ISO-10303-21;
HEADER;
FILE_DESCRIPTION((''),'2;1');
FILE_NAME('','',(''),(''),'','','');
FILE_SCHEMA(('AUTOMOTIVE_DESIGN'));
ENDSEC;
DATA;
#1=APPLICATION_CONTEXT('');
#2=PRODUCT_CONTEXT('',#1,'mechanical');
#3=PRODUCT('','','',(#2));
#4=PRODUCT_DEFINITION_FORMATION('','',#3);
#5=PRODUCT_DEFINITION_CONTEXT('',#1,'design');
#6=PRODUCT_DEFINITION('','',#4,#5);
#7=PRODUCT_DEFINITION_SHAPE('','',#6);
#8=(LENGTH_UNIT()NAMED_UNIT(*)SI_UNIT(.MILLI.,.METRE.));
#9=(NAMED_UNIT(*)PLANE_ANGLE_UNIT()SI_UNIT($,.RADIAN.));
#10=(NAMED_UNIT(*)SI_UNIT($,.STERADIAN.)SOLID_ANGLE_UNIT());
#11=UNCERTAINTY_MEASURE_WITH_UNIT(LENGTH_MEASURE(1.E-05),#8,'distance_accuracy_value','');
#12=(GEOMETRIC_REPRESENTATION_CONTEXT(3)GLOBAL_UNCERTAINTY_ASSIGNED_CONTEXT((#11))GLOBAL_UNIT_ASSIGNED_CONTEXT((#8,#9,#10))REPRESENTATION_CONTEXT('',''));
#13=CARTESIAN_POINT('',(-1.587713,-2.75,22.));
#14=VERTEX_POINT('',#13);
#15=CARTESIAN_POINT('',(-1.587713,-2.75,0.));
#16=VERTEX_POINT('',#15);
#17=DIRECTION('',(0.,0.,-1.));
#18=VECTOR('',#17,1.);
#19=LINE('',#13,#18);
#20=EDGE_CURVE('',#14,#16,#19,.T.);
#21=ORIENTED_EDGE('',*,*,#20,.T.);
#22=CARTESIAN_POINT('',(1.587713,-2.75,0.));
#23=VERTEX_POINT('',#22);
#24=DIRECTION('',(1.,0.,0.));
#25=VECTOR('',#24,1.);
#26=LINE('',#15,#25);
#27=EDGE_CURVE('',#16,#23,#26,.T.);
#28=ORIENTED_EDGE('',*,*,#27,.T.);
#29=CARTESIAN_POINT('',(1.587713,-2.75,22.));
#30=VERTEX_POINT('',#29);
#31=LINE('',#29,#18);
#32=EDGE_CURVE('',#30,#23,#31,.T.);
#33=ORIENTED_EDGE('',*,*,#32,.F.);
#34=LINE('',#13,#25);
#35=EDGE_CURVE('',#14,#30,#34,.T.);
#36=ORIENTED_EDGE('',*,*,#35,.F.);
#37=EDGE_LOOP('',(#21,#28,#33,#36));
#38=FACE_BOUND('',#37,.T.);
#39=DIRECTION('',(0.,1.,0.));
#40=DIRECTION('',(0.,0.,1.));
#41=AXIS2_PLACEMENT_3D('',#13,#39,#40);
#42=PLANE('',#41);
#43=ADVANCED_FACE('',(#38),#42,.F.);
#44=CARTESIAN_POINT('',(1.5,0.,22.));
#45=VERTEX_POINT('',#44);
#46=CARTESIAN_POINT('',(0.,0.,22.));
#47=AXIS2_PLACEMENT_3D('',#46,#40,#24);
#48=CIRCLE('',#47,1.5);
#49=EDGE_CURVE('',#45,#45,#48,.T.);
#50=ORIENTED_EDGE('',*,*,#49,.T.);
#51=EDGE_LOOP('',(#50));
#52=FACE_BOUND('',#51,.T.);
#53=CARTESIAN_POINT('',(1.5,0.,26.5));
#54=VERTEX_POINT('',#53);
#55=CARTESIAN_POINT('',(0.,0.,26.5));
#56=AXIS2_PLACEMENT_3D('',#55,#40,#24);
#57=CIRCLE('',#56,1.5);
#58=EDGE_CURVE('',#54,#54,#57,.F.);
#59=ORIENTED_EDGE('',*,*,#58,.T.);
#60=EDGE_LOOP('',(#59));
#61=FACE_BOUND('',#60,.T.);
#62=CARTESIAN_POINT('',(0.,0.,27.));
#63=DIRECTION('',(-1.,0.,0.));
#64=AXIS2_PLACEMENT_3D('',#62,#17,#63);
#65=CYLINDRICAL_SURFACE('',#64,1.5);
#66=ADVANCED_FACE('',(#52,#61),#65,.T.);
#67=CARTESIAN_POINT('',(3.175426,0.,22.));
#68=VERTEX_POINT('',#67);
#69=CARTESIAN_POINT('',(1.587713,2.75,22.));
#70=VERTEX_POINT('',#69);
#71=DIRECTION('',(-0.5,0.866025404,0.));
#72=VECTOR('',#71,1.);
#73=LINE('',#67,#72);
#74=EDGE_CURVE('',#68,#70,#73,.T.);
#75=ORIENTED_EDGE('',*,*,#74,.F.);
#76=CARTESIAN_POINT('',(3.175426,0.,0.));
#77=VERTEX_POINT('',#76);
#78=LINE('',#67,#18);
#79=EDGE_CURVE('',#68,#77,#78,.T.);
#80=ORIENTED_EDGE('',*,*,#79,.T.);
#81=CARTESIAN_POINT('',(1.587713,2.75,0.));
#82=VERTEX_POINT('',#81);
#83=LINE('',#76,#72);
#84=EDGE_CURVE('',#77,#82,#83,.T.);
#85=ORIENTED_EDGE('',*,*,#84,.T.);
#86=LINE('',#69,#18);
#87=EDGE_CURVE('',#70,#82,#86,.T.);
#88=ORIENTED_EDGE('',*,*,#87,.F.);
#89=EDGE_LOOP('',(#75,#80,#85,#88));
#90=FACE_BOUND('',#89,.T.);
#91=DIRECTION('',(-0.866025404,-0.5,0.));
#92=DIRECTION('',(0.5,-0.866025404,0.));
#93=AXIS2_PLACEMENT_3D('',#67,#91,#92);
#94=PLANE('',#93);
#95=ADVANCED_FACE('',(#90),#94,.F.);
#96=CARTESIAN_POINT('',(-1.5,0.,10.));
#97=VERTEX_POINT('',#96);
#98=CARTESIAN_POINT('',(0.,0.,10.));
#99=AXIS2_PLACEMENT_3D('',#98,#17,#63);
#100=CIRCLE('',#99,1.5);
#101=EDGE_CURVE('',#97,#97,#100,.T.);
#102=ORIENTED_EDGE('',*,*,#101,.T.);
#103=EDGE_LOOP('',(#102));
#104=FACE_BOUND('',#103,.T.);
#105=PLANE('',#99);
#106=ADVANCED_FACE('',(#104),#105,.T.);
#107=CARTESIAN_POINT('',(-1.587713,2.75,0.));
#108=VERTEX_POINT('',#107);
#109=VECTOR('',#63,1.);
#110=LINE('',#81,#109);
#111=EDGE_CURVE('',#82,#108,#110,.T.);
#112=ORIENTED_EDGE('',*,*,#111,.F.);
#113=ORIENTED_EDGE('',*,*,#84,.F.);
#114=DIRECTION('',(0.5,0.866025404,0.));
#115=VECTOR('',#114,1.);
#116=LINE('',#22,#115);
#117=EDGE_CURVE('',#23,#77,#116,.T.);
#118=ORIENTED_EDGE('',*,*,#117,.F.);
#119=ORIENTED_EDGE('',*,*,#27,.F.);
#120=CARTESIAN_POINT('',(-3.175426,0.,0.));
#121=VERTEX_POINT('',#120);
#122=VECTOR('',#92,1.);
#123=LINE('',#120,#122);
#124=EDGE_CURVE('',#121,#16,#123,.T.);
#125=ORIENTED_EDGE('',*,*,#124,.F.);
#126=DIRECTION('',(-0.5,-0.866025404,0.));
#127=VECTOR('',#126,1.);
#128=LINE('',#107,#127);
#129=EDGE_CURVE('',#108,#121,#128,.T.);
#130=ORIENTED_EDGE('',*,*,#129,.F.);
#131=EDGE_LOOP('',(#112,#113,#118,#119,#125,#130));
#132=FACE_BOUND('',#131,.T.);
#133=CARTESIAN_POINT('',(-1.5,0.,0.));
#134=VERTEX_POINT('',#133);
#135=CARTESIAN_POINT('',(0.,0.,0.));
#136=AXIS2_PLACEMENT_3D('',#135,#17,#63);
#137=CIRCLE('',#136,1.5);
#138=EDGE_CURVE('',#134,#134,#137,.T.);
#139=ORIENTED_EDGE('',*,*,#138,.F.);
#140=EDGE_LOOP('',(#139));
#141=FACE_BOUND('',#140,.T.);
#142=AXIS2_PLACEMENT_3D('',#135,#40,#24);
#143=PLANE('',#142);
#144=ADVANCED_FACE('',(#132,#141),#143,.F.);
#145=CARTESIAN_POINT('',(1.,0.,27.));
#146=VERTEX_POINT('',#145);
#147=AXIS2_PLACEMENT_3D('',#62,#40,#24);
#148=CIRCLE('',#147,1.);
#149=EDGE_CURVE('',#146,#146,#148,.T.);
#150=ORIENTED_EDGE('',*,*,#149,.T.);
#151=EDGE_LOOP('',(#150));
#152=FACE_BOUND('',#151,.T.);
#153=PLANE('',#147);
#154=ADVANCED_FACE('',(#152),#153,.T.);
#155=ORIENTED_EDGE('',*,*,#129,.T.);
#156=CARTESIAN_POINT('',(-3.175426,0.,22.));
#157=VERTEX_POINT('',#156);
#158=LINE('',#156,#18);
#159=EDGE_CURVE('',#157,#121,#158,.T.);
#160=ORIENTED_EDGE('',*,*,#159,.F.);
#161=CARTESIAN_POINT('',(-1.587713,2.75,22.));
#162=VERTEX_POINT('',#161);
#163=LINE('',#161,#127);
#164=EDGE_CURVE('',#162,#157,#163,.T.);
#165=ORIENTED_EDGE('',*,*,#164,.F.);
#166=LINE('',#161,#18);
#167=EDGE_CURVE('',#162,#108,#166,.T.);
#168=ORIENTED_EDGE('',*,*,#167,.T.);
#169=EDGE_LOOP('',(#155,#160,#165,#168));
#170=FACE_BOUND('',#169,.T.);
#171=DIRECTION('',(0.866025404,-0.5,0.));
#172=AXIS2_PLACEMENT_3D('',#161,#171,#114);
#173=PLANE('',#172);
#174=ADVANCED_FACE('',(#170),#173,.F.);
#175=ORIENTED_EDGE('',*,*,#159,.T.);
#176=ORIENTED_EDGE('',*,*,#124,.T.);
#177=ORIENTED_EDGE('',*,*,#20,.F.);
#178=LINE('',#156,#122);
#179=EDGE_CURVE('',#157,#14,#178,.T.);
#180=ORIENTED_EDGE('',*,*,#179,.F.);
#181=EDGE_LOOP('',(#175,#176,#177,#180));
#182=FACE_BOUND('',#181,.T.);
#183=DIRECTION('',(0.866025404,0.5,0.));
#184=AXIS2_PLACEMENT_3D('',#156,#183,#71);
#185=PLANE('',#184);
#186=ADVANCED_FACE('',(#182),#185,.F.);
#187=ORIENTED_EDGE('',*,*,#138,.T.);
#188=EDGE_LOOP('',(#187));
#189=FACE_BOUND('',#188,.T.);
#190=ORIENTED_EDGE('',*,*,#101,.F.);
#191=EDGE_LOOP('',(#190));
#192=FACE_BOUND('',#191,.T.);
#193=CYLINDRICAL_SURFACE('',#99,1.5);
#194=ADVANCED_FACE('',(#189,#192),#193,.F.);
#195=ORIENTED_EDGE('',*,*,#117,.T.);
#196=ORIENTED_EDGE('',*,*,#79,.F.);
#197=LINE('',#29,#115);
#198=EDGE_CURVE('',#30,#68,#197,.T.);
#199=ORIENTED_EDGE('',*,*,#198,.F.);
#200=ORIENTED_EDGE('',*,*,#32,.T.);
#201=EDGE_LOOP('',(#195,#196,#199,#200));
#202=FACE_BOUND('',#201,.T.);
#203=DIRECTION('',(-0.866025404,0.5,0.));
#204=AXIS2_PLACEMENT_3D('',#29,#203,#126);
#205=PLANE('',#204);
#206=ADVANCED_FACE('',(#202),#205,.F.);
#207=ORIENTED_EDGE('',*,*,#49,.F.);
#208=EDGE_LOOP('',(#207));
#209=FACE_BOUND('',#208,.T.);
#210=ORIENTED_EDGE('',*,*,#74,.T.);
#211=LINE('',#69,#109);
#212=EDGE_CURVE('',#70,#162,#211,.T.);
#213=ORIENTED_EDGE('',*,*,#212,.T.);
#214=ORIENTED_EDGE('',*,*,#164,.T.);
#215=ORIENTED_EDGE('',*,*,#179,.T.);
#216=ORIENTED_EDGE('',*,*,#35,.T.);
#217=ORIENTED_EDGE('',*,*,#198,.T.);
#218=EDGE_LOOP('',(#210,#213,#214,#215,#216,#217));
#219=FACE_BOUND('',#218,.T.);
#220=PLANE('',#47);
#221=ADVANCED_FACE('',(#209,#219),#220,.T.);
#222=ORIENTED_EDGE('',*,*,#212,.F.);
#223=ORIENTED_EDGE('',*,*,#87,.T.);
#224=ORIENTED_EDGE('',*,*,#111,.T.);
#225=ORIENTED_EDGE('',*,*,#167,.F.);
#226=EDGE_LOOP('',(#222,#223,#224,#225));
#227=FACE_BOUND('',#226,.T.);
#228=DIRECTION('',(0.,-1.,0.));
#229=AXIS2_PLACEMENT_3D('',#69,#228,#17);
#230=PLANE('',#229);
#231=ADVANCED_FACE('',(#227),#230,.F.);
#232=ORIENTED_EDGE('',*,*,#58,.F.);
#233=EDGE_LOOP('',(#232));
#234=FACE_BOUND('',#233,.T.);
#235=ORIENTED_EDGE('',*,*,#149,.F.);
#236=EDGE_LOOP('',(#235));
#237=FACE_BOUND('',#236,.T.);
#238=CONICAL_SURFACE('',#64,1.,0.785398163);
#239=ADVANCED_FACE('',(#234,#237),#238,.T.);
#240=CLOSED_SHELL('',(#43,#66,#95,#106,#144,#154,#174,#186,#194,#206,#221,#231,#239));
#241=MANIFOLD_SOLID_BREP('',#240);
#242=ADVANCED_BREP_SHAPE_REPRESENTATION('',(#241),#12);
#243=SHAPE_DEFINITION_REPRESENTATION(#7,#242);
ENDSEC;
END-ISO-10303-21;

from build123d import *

# Parameters (mm, degrees)
EXTRUDE_1_DEPTH     = 22
SKETCH_2_R          = 1.5
EXTRUDE_2_DEPTH     = 5
CHAMFER_1_SIZE      = 0.5
SKETCH_3_R          = 1.5
CUT_EXTRUDE_1_DEPTH = 10


with BuildPart() as part:
    # 草图1 → 凸台-拉伸1 (new body)
    with BuildSketch(Plane.XY):
        Polygon((3.175426481, 0), (1.58771324, 2.75), (-1.58771324, 2.75), (-3.175426481, 0), (-1.58771324, -2.75), (1.58771324, -2.75), align=None)
    extrude(amount=EXTRUDE_1_DEPTH)

    # 草图2 → 凸台-拉伸2 (add)
    with BuildSketch(Plane.XY.offset(22)):
        Circle(SKETCH_2_R)
    extrude(amount=EXTRUDE_2_DEPTH)

    # 倒角1
    chamfer_1_edges = [part.edges().sort_by_distance(p)[0] for p in [
        (-1.5, 0, 27),
    ]]
    chamfer(chamfer_1_edges, length=CHAMFER_1_SIZE)

    # 草图3 → 切除-拉伸1 (cut)
    with BuildSketch(Plane(origin=(0, 0, 0), x_dir=(-1, 0, 0), z_dir=(0, 0, -1))):
        Circle(SKETCH_3_R)
    extrude(amount=-CUT_EXTRUDE_1_DEPTH, mode=Mode.SUBTRACT)


solid = part.part
